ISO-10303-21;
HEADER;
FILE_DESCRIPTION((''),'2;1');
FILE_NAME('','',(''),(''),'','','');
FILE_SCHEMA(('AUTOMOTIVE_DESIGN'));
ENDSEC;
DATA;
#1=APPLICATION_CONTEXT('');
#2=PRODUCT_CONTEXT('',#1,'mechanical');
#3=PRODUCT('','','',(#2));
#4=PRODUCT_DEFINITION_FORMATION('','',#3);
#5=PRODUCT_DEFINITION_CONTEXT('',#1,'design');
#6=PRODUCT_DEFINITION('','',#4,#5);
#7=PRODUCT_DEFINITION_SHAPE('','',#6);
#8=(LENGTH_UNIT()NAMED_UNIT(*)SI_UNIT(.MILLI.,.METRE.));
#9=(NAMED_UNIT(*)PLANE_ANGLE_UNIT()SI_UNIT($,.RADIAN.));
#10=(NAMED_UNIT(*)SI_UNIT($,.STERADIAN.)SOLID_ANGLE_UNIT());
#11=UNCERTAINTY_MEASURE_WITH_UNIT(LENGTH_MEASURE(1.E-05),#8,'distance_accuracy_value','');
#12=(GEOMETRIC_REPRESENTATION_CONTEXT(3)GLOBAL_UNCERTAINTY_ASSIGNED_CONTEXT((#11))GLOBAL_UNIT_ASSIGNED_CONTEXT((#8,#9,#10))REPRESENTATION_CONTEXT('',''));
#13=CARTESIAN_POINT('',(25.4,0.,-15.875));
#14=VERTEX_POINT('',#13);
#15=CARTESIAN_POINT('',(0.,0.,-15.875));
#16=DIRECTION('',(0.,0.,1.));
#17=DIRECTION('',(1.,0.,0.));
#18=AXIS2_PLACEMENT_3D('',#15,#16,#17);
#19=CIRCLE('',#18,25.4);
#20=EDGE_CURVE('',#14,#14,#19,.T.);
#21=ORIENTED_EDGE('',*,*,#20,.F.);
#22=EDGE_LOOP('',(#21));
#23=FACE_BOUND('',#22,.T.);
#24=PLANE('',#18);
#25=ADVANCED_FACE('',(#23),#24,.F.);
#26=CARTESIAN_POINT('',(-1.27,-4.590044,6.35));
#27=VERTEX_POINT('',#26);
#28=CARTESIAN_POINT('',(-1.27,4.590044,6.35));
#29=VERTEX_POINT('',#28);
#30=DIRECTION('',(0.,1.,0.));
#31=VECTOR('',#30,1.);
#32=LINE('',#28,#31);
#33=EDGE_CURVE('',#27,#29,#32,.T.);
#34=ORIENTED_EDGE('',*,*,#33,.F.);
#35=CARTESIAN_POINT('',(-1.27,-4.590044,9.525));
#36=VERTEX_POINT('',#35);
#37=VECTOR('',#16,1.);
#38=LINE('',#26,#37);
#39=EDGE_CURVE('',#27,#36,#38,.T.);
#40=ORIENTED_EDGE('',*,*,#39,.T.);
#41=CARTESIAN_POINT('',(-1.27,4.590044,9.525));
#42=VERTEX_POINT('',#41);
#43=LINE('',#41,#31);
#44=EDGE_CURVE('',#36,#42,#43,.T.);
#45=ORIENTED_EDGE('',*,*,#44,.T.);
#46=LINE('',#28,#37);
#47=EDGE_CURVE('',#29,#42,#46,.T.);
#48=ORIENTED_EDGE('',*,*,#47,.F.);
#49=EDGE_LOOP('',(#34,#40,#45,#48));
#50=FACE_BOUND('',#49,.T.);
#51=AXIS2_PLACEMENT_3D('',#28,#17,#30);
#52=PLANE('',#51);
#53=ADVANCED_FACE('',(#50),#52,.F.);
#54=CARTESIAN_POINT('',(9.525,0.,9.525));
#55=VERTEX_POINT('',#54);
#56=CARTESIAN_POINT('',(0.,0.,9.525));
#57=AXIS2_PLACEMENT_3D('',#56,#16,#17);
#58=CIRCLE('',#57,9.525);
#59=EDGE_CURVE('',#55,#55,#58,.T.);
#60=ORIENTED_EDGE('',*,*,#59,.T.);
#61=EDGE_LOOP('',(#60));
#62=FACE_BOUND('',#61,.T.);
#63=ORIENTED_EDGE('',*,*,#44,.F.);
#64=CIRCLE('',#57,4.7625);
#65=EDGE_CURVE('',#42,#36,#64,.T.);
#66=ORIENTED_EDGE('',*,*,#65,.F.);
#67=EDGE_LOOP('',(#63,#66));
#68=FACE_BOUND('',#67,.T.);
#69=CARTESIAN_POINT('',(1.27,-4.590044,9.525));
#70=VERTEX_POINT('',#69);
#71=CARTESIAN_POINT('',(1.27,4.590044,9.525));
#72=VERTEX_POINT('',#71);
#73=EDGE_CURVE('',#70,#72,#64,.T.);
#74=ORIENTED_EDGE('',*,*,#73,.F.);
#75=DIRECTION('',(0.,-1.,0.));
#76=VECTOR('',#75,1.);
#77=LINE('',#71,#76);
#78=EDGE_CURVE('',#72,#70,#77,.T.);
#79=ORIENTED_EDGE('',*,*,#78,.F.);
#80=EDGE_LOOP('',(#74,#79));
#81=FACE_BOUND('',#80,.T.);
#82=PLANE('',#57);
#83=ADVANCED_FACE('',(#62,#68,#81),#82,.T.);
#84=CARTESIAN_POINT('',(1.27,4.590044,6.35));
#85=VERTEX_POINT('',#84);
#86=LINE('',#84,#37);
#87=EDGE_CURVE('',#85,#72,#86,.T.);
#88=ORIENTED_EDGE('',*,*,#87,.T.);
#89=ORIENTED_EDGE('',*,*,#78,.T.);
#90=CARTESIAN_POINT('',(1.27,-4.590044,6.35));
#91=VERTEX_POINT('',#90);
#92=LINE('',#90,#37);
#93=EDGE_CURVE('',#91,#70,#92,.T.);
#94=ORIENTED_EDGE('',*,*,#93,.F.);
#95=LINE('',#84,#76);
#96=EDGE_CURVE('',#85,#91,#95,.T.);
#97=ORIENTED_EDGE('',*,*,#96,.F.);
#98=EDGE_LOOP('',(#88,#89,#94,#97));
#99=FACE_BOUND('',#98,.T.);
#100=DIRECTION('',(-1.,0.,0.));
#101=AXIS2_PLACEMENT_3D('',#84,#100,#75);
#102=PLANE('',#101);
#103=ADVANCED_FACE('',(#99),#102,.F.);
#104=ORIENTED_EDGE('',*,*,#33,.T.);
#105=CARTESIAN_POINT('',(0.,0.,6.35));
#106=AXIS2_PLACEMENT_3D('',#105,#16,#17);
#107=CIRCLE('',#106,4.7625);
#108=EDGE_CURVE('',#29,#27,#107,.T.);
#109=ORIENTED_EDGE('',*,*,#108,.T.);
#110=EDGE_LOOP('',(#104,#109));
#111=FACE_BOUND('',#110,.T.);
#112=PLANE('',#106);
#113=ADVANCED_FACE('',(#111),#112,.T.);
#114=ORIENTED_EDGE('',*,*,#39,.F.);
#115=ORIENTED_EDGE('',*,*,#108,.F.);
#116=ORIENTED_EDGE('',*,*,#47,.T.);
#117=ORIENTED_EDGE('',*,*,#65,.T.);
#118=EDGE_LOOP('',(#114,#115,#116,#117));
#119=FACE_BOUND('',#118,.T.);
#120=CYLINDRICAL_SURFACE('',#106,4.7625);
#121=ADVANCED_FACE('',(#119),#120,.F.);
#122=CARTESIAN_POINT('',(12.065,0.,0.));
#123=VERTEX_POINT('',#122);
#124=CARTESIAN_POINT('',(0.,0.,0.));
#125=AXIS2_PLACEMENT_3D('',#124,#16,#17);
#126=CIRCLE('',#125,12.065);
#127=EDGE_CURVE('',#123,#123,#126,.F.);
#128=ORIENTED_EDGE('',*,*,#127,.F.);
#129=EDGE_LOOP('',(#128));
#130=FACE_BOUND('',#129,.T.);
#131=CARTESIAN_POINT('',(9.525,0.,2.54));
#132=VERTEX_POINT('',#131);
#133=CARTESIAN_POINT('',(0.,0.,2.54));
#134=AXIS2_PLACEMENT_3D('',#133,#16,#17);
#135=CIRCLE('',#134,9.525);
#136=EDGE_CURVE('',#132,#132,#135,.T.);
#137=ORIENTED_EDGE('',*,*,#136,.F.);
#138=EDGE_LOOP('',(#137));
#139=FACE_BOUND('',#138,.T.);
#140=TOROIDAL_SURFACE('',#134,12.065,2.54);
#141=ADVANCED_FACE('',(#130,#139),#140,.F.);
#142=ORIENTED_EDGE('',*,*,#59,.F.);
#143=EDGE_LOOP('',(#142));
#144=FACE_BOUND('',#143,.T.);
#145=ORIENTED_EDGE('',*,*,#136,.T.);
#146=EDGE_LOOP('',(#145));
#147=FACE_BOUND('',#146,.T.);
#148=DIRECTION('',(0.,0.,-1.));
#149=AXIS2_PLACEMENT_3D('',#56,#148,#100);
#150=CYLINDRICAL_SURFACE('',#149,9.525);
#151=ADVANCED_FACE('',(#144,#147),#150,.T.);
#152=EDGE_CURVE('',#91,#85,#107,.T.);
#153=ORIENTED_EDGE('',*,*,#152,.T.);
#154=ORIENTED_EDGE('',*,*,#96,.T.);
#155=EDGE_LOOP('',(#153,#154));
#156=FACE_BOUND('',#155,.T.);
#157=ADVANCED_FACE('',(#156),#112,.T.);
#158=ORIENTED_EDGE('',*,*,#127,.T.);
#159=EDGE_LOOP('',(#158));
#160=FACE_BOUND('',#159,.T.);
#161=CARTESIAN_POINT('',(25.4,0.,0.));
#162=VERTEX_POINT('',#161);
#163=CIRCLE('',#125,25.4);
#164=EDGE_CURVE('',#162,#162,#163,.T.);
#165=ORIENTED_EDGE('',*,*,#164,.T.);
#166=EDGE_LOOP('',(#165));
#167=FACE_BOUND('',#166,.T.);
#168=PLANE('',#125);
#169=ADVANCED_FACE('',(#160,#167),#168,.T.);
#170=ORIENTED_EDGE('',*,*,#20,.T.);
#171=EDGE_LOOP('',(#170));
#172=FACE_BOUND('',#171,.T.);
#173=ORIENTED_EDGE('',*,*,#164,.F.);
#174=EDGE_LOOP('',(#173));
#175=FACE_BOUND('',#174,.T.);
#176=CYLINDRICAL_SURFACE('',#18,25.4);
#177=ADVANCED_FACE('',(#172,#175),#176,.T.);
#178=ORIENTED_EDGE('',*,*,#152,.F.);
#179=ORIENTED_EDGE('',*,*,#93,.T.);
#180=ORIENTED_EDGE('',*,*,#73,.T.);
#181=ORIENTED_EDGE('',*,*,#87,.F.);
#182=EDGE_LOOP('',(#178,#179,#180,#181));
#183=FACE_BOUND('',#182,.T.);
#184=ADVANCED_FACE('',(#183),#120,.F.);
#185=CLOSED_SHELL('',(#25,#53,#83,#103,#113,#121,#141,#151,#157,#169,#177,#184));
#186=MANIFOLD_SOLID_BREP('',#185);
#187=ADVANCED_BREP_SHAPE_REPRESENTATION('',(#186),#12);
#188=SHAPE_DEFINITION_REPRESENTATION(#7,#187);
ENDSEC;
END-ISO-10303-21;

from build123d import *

# Parameters (mm, degrees)
SKETCH1_R           = 25.4
BOSS_EXTRUDE1_DEPTH = 15.875
SKETCH2_R           = 9.525
BOSS_EXTRUDE2_DEPTH = 9.525
FILLET2_R           = 2.54
CUT_EXTRUDE1_DEPTH  = 3.175


with BuildPart() as part:
    # Sketch1 → Boss-Extrude1 (new body)
    with BuildSketch(Plane.XY):
        Circle(SKETCH1_R)
    extrude(amount=-BOSS_EXTRUDE1_DEPTH)

    # Sketch2 → Boss-Extrude2 (add)
    with BuildSketch(Plane.XY):
        Circle(SKETCH2_R)
    extrude(amount=BOSS_EXTRUDE2_DEPTH)

    # Fillet2
    fillet2_edges = [part.edges().sort_by_distance(p)[0] for p in [
        (-9.525, 0, 0),
    ]]
    fillet(fillet2_edges, radius=FILLET2_R)

    # Sketch3 → Cut-Extrude1 (cut)
    with BuildSketch(Plane.XY.offset(9.525)):
        with BuildLine():
            Line((-1.27, 4.590044254), (-1.27, -4.590044254))
            ThreePointArc((-1.27, -4.590044254), (-4.7625, 0), (-1.27, 4.590044254))
        make_face()
        with BuildLine():
            Line((1.27, 4.590044254), (1.27, -4.590044254))
            ThreePointArc((1.27, -4.590044254), (4.7625, 0), (1.27, 4.590044254))
        make_face()
    extrude(amount=-CUT_EXTRUDE1_DEPTH, mode=Mode.SUBTRACT)


solid = part.part
